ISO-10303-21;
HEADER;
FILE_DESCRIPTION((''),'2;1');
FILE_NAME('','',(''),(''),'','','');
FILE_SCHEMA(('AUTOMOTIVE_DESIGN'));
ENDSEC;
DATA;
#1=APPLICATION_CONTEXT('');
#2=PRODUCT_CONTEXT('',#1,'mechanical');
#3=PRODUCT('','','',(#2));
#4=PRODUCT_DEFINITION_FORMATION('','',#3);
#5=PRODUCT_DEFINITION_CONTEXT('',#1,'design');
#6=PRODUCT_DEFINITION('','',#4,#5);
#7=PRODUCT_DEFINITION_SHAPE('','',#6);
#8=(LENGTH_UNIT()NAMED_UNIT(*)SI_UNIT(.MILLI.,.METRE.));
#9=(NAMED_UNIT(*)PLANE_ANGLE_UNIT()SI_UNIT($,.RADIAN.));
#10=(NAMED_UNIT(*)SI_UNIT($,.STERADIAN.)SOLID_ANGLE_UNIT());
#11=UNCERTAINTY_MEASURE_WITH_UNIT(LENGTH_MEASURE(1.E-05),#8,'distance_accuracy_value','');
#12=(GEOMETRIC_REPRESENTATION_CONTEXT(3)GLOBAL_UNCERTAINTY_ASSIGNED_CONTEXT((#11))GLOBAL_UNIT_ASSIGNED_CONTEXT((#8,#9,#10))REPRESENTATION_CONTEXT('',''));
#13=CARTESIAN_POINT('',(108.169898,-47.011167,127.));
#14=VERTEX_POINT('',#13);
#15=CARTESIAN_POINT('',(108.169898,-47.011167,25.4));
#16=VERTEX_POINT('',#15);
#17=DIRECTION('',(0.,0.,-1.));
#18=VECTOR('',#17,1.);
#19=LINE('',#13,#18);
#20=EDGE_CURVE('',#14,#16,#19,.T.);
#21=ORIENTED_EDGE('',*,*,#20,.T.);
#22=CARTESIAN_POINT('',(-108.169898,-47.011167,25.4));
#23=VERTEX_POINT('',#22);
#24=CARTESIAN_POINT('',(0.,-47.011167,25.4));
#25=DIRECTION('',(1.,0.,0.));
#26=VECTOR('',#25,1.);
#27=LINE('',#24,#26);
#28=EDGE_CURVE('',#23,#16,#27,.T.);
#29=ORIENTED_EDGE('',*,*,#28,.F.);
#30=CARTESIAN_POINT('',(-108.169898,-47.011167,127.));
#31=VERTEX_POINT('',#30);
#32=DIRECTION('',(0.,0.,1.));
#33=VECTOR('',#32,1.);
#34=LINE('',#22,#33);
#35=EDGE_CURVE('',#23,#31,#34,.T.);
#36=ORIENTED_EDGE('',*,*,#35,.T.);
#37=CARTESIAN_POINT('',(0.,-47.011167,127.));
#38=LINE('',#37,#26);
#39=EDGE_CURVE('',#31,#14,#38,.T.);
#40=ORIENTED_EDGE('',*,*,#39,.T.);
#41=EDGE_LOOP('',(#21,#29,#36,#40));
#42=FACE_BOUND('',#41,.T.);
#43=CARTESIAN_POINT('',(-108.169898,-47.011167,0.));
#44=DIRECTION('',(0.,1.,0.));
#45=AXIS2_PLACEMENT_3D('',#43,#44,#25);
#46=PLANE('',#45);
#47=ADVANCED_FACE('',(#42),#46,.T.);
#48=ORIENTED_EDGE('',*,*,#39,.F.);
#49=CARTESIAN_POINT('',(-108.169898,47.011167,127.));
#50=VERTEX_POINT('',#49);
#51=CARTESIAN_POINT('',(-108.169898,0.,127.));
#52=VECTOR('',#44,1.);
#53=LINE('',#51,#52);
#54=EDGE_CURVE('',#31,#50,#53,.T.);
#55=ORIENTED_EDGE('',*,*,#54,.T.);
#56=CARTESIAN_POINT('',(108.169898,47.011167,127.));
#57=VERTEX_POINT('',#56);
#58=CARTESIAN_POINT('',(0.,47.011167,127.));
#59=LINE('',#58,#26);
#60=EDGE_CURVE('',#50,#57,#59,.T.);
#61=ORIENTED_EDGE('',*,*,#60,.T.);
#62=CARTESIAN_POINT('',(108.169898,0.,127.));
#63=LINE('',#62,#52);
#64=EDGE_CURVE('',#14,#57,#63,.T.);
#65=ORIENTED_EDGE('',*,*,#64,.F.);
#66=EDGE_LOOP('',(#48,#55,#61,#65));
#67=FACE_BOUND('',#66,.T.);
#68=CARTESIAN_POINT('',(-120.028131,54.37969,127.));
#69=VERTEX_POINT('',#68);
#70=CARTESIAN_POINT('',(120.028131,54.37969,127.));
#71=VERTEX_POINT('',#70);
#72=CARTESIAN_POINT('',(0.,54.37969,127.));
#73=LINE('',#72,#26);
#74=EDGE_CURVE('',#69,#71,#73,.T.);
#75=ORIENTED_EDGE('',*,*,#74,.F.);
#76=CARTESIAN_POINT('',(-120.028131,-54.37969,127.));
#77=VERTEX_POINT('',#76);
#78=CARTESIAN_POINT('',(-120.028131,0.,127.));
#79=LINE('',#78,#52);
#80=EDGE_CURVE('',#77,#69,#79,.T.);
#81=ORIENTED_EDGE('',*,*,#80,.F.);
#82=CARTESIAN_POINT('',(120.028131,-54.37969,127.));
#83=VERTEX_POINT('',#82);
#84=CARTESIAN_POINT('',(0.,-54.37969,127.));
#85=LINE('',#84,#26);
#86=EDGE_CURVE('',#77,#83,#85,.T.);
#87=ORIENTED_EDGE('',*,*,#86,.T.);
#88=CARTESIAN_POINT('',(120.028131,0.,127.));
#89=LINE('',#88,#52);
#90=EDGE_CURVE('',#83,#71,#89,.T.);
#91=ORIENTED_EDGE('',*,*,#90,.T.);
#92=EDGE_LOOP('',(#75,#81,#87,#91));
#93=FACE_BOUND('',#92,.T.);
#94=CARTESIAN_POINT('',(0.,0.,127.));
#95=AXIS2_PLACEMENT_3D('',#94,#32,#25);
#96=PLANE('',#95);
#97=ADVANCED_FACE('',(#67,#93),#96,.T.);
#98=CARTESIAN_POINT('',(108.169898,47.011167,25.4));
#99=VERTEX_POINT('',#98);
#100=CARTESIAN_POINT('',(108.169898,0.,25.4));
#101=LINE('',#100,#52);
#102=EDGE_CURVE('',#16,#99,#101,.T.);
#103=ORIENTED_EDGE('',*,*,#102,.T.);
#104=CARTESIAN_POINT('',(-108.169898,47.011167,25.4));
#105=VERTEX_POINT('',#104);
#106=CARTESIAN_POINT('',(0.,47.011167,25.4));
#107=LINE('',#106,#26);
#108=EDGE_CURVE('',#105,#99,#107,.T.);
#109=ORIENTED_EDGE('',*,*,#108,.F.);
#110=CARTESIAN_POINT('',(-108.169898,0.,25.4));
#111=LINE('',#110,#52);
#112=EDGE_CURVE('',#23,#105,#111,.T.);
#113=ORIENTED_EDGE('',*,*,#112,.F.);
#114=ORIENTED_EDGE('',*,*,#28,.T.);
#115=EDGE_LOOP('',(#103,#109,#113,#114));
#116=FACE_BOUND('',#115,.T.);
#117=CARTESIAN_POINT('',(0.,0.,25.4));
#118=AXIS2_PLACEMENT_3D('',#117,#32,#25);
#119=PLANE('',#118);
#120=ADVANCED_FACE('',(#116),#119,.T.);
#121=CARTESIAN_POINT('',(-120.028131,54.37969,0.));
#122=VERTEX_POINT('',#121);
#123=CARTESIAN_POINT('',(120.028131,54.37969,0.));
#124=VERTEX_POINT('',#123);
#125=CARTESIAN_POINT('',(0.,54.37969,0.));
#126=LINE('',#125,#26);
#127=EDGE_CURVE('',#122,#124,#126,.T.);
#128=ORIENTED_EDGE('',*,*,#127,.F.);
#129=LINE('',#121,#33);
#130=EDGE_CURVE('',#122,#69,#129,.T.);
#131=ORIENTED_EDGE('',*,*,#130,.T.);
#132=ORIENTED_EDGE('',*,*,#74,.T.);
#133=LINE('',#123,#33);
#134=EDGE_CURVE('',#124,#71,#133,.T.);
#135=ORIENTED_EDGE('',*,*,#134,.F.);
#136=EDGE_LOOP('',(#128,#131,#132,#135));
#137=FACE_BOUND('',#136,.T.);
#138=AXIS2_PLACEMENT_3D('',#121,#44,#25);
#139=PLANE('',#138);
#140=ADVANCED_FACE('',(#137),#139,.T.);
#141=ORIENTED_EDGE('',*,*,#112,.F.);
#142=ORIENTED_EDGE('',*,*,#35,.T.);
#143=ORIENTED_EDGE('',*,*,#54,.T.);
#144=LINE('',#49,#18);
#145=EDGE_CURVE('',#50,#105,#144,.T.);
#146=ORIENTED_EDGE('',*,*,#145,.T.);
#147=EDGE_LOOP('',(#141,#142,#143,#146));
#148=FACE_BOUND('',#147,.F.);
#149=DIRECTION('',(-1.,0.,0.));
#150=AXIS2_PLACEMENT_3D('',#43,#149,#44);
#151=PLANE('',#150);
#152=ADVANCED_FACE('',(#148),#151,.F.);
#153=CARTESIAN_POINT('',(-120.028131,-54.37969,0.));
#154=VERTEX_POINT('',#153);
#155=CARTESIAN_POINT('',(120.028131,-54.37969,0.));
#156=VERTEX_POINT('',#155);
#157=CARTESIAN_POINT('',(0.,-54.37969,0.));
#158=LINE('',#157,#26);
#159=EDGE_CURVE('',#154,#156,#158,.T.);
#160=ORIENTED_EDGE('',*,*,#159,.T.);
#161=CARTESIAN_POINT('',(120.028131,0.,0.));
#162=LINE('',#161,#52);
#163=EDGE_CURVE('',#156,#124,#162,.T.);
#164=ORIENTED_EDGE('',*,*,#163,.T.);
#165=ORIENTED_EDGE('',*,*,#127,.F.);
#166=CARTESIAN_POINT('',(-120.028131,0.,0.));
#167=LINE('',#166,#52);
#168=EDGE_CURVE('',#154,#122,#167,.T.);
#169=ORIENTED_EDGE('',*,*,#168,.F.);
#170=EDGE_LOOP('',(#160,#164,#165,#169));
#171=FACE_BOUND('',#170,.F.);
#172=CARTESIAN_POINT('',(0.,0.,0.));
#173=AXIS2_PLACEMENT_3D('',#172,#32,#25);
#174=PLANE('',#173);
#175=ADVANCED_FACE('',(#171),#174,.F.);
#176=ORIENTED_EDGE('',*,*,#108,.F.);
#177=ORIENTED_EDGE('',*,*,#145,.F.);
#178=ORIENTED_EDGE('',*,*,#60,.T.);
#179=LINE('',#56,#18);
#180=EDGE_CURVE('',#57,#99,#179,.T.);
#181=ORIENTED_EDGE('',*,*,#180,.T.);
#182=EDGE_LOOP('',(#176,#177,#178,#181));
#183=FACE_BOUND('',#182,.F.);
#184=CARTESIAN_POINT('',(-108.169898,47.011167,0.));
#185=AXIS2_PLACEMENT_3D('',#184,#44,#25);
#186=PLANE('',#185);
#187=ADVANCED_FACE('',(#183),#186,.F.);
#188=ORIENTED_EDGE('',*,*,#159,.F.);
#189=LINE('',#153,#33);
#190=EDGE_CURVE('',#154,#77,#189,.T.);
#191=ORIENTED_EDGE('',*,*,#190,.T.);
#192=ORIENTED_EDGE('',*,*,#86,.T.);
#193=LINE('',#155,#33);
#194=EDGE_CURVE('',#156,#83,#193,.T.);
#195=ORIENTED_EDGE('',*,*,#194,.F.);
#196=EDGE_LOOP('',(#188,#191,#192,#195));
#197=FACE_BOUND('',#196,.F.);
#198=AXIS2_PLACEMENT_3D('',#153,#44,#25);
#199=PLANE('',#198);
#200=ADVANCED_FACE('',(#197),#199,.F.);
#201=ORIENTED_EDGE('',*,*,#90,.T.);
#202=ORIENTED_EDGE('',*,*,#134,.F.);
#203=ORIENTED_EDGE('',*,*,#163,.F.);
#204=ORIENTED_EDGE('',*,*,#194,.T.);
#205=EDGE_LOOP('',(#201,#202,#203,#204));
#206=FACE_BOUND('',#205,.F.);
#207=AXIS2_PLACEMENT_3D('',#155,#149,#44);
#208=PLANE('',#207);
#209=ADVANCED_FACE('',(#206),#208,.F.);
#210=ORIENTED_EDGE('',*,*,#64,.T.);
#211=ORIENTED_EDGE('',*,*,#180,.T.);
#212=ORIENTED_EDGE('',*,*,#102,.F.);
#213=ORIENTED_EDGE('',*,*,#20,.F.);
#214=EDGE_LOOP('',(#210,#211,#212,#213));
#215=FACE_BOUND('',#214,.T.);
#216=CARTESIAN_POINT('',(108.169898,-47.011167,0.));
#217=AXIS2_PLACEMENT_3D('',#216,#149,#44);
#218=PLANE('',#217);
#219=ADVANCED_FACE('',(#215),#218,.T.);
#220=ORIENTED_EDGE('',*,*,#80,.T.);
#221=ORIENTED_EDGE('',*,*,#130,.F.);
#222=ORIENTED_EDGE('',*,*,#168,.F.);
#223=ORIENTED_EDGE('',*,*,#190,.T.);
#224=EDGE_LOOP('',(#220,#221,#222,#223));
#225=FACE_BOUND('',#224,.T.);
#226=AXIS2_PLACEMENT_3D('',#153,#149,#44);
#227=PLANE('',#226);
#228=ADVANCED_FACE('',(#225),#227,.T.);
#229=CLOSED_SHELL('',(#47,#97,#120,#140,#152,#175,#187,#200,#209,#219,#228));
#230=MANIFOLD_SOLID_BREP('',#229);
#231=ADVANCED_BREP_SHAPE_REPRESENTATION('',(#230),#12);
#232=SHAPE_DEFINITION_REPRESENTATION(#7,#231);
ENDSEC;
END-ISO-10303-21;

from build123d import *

# Parameters (mm, degrees)
F0_W     = 216.339796
F0_H     = 94.022334
F3_DEPTH = 25.4
F1_W     = 231.186748
F1_H     = 102.275074
F1_W_2   = 216.339796
F1_H_2   = 94.022334
F4_DEPTH = 50.8
F2_W     = 240.056262
F2_H     = 108.75938
F2_W_2   = 216.339796
F2_H_2   = 94.022334
F5_DEPTH = 127


with BuildPart() as f3:
    # F0 (on Top) → F3 (new body)
    with BuildSketch(Plane.XY):
        Rectangle(F0_W, F0_H)
    extrude(amount=F3_DEPTH)

    # F1 (on face) → F4 (join)
    with BuildSketch(Plane.XY):
        Rectangle(F1_W, F1_H)
        Rectangle(F1_W_2, F1_H_2, mode=Mode.SUBTRACT)
    extrude(amount=F4_DEPTH)

    # F2 (on face) → F5 (join)
    with BuildSketch(Plane.XY):
        Rectangle(F2_W, F2_H)
        Rectangle(F2_W_2, F2_H_2, mode=Mode.SUBTRACT)
    extrude(amount=F5_DEPTH)


solid = f3.part
